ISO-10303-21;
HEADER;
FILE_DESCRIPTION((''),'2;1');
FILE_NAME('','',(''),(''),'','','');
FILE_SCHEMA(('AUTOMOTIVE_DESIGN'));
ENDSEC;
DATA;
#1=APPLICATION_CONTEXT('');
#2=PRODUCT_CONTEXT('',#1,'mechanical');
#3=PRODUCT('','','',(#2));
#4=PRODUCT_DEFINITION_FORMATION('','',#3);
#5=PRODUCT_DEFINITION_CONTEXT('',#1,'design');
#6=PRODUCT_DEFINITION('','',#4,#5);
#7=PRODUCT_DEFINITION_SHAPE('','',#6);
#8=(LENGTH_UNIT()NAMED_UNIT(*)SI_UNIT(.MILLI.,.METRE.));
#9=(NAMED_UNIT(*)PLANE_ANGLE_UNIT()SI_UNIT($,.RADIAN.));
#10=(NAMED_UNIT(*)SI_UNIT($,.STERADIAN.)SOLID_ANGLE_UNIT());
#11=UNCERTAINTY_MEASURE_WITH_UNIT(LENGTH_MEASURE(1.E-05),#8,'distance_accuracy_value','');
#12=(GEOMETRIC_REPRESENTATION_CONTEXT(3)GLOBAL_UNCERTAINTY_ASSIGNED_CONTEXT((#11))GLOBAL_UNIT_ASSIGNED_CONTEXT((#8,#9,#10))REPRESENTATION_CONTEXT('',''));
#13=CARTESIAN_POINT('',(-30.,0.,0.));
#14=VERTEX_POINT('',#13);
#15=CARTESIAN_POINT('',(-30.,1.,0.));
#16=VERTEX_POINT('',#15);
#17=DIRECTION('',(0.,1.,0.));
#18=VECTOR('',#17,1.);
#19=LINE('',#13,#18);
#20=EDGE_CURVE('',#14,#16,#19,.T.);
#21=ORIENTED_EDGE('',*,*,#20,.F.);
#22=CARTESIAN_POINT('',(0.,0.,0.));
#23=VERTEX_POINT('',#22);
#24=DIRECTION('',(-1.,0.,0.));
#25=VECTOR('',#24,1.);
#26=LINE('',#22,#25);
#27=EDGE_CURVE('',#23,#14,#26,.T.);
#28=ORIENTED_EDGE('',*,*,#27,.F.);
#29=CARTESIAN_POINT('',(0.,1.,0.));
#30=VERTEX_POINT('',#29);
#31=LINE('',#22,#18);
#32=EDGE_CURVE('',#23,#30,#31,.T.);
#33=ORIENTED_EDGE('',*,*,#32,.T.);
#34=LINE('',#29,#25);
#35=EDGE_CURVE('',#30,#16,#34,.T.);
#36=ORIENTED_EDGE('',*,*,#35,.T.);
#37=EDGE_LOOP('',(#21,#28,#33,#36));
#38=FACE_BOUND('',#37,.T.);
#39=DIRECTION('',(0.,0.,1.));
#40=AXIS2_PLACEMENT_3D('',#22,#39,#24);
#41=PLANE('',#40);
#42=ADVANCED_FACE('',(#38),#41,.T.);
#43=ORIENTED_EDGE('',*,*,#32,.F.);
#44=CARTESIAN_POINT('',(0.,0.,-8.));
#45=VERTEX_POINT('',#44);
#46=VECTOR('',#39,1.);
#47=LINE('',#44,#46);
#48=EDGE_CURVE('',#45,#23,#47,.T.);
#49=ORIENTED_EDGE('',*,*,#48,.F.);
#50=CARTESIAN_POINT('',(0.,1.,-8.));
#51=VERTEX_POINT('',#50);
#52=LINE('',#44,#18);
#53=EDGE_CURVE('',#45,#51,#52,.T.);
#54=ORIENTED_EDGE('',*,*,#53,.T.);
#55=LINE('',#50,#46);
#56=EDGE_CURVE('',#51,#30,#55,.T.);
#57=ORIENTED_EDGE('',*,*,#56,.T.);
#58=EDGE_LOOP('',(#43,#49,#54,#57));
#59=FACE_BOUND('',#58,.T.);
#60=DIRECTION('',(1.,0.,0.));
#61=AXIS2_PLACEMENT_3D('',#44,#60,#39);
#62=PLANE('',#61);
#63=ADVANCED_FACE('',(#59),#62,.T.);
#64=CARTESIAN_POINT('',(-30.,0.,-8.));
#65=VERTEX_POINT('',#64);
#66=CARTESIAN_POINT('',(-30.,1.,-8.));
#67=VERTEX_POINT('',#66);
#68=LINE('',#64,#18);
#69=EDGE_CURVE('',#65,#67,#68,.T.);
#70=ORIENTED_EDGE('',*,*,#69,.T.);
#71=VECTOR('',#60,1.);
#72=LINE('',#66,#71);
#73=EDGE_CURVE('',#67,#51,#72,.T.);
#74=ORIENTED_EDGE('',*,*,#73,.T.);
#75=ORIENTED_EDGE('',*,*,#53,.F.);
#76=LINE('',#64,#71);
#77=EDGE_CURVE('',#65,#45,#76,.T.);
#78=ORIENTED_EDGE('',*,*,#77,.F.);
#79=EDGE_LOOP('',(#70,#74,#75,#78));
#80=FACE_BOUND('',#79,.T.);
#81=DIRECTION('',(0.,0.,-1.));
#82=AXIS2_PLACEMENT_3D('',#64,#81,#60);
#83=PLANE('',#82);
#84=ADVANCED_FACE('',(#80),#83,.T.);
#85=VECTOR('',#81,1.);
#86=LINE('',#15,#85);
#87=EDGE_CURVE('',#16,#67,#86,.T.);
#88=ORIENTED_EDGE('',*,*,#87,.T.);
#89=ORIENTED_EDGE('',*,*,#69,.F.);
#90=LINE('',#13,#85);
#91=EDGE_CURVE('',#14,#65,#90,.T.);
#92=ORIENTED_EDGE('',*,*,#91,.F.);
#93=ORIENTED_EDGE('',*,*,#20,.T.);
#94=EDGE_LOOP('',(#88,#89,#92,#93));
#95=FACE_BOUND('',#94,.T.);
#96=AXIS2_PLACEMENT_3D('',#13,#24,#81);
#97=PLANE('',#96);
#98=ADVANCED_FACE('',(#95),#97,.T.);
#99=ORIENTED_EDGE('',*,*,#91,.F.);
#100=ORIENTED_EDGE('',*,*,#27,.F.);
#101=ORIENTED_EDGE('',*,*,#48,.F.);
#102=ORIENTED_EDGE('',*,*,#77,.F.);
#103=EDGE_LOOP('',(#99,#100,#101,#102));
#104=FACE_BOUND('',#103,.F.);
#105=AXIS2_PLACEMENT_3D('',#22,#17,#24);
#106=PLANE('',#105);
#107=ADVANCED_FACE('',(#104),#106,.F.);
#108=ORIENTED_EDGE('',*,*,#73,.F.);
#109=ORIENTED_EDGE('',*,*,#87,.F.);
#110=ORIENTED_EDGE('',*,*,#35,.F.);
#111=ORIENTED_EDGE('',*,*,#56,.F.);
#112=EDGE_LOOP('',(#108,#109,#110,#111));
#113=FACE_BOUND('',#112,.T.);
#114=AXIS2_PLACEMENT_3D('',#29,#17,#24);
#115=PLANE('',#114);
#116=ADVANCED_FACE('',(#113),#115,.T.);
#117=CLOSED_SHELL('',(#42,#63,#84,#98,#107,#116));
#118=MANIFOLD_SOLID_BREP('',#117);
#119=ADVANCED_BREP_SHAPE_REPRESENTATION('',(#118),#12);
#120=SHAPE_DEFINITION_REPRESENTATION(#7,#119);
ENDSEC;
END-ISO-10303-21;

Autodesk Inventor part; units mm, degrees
ref_plane "YZ Plane" through (0, 0, 0) normal (1, 0, 0) x (0, 1, 0)
ref_plane "XZ Plane" through (0, 0, 0) normal (0, 1, 0) x (-1, 0, 0)
ref_plane "XY Plane" through (0, 0, 0) normal (0, 0, 1) x (1, 0, 0)
sketch "Szkic1" plane through (0, 0, 0) normal (0, 1, 0) x (-1, 0, 0)
  line L0 (0, 0) -> (30, 0)
  line L1 (30, 0) -> (30, -8)
  line L2 (30, -8) -> (0, -8)
  line L3 (0, -8) -> (0, 0)
  dimension "d0" = 8
  dimension "d1" = 30
extrude "Wyciągnięcie proste1" add sketch "Szkic1" along normal blind 1
properties part number "czujnik_nacisku"
